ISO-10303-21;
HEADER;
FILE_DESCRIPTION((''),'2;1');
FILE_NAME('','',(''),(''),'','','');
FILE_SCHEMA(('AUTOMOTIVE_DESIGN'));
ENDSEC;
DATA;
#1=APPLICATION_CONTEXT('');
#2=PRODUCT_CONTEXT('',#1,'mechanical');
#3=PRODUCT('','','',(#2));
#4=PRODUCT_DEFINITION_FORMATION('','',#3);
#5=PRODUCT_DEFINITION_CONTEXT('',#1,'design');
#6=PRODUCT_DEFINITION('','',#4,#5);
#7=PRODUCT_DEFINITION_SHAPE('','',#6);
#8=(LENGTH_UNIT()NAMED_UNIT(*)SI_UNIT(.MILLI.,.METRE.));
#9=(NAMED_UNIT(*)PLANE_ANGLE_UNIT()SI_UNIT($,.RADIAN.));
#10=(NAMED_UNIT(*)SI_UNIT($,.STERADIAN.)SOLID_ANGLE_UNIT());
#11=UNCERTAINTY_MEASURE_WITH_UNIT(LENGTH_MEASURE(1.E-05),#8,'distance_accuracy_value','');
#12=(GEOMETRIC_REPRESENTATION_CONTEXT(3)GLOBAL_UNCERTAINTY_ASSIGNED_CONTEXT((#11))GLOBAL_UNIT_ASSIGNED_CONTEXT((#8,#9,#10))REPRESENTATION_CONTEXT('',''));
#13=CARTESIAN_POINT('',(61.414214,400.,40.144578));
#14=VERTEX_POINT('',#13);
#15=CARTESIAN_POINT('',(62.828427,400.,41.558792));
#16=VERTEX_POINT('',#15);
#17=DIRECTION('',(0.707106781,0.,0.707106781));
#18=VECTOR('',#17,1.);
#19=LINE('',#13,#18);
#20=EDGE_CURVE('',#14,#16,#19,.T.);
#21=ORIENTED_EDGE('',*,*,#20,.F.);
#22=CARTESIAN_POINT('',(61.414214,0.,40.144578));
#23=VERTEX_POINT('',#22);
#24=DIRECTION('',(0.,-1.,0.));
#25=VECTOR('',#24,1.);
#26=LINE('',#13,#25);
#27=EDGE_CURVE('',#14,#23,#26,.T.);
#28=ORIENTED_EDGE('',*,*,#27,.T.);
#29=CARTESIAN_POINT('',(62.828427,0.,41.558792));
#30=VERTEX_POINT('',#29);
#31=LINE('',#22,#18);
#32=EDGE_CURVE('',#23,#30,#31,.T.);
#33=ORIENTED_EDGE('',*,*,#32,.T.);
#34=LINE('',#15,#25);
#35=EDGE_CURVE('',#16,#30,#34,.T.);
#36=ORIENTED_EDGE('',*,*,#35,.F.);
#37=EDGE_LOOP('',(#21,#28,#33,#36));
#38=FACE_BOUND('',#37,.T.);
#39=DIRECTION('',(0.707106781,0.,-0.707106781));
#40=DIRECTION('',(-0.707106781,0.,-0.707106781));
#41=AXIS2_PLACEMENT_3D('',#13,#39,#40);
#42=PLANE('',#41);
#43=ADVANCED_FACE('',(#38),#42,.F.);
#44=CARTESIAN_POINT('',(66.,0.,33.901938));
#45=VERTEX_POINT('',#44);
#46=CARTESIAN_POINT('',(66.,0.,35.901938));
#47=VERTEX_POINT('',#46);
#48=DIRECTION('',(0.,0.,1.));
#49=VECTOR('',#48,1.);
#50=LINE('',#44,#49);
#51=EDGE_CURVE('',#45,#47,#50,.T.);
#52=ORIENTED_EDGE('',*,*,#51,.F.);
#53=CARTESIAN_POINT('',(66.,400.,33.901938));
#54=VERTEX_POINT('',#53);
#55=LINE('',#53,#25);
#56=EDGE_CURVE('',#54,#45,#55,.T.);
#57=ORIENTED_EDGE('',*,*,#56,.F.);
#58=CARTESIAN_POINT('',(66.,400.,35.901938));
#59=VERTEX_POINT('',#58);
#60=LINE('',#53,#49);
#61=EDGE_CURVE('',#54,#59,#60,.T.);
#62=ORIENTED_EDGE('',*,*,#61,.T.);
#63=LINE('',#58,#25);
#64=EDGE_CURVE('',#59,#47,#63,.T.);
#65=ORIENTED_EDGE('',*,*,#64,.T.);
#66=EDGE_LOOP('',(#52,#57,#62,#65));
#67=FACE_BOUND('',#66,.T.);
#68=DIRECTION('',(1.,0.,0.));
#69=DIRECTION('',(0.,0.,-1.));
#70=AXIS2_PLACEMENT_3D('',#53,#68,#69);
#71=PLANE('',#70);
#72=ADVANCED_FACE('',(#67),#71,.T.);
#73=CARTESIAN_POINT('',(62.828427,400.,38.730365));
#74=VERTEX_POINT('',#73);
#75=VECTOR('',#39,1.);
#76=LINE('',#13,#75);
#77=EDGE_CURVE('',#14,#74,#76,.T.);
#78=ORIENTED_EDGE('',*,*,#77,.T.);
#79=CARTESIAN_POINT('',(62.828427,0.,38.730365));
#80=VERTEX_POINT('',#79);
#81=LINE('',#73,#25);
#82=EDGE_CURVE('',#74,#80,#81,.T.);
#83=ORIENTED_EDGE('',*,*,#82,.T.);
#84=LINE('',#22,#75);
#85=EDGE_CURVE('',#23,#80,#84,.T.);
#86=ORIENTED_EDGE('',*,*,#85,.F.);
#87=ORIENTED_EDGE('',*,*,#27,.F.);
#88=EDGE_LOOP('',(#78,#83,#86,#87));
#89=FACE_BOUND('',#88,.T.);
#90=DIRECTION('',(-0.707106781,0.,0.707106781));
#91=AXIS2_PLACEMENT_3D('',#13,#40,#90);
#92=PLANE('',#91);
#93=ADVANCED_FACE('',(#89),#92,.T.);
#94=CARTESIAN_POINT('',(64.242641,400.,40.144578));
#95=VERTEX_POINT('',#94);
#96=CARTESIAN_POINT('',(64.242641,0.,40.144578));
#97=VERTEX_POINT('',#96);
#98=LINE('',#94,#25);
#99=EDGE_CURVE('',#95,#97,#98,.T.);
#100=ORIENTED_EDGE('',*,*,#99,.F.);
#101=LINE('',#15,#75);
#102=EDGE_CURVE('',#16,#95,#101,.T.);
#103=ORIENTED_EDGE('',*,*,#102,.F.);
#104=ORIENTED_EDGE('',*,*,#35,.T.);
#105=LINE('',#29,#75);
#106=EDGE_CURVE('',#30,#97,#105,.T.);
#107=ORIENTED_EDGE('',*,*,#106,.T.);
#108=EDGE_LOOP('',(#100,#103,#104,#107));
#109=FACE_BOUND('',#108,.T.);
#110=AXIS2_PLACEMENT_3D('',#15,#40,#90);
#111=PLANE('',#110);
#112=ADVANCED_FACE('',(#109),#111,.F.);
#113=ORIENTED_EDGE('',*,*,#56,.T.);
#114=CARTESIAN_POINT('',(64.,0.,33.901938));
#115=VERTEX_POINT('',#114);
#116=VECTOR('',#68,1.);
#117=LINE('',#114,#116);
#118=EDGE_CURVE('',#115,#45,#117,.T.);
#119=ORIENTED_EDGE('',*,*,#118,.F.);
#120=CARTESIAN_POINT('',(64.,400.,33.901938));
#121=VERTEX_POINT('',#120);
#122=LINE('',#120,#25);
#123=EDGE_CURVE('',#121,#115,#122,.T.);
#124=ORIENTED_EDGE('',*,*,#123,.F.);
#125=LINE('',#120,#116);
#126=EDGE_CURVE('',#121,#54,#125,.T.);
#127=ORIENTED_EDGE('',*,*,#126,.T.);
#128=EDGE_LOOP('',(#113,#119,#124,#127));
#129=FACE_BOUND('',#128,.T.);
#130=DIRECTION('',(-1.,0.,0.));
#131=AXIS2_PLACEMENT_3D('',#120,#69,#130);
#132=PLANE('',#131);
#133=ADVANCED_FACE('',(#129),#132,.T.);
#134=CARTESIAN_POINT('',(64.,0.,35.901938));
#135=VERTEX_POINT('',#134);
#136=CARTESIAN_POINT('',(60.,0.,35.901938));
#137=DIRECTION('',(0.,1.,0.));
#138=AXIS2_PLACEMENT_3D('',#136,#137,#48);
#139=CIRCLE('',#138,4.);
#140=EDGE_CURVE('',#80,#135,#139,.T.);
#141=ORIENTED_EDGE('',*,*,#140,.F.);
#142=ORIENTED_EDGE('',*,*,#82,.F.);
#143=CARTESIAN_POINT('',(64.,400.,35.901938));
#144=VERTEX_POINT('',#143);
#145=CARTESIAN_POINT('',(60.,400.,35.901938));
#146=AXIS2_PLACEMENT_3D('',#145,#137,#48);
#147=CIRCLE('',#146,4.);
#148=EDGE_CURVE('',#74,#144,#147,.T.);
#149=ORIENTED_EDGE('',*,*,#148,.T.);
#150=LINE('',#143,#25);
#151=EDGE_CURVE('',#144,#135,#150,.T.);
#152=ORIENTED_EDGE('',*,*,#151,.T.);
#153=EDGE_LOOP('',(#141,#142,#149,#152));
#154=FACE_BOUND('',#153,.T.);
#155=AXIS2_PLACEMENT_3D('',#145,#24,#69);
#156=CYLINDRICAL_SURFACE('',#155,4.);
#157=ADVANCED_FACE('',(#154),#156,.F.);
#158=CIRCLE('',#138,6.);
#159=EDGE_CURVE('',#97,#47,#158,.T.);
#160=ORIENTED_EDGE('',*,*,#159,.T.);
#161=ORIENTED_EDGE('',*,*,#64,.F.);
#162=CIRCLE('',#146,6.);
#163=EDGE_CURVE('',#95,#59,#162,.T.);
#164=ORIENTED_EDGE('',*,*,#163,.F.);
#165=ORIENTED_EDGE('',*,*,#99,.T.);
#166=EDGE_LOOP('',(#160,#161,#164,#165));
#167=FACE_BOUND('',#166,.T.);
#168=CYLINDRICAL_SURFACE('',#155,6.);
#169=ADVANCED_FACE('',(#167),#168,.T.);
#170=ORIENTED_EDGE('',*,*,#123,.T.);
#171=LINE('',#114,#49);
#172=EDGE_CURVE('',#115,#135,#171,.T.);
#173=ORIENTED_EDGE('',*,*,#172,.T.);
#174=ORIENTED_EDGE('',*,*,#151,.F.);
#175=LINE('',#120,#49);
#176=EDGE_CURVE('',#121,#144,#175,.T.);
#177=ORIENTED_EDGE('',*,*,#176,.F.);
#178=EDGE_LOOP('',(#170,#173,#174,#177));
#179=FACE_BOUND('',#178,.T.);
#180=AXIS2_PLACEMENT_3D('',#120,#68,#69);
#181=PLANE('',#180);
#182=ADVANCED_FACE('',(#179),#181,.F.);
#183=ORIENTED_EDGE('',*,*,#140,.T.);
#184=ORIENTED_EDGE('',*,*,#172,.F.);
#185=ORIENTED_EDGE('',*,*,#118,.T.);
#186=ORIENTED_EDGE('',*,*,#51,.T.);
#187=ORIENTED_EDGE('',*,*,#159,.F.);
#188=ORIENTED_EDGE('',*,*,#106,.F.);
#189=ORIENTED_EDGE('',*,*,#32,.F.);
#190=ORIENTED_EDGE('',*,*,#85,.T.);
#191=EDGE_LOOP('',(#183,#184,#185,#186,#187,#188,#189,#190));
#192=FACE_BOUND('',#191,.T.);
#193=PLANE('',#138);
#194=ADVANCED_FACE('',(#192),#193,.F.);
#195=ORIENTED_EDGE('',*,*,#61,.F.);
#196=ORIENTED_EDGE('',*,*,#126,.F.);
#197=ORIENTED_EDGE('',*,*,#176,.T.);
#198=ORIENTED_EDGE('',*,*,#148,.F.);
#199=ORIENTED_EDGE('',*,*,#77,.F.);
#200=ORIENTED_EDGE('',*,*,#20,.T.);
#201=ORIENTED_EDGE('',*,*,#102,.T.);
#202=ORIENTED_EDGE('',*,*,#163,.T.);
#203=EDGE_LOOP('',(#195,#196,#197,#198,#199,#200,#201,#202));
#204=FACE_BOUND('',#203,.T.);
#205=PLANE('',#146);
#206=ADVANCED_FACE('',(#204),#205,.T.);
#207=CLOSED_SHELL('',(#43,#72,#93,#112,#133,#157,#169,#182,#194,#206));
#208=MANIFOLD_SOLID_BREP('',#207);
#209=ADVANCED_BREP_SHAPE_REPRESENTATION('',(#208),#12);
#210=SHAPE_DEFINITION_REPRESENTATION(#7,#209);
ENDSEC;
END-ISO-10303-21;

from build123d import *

# Parameters (mm, degrees)
BOSS_EXTRUDE3_DEPTH = 400


with BuildPart() as part:
    # Sketch1 → Boss-Extrude3 (new body)
    with BuildSketch(Plane(origin=(0, 0, 0), x_dir=(1, 0, 0), z_dir=(0, 1, 0))):
        with BuildLine():
            Line((61.414213562, -40.144578291), (62.828427125, -38.730364729))
            ThreePointArc((62.828427125, -38.730364729), (63.69551813, -37.432671334), (64, -35.901937604))
            Line((64, -35.901937604), (64, -33.901937604))
            Line((64, -33.901937604), (66, -33.901937604))
            Line((66, -33.901937604), (66, -35.901937604))
            ThreePointArc((66, -35.901937604), (65.543277195, -38.198038199), (64.242640687, -40.144578291))
            Line((64.242640687, -40.144578291), (62.828427125, -41.558791854))
            Line((62.828427125, -41.558791854), (61.414213562, -40.144578291))
        make_face()
    extrude(amount=BOSS_EXTRUDE3_DEPTH)


solid = part.part
